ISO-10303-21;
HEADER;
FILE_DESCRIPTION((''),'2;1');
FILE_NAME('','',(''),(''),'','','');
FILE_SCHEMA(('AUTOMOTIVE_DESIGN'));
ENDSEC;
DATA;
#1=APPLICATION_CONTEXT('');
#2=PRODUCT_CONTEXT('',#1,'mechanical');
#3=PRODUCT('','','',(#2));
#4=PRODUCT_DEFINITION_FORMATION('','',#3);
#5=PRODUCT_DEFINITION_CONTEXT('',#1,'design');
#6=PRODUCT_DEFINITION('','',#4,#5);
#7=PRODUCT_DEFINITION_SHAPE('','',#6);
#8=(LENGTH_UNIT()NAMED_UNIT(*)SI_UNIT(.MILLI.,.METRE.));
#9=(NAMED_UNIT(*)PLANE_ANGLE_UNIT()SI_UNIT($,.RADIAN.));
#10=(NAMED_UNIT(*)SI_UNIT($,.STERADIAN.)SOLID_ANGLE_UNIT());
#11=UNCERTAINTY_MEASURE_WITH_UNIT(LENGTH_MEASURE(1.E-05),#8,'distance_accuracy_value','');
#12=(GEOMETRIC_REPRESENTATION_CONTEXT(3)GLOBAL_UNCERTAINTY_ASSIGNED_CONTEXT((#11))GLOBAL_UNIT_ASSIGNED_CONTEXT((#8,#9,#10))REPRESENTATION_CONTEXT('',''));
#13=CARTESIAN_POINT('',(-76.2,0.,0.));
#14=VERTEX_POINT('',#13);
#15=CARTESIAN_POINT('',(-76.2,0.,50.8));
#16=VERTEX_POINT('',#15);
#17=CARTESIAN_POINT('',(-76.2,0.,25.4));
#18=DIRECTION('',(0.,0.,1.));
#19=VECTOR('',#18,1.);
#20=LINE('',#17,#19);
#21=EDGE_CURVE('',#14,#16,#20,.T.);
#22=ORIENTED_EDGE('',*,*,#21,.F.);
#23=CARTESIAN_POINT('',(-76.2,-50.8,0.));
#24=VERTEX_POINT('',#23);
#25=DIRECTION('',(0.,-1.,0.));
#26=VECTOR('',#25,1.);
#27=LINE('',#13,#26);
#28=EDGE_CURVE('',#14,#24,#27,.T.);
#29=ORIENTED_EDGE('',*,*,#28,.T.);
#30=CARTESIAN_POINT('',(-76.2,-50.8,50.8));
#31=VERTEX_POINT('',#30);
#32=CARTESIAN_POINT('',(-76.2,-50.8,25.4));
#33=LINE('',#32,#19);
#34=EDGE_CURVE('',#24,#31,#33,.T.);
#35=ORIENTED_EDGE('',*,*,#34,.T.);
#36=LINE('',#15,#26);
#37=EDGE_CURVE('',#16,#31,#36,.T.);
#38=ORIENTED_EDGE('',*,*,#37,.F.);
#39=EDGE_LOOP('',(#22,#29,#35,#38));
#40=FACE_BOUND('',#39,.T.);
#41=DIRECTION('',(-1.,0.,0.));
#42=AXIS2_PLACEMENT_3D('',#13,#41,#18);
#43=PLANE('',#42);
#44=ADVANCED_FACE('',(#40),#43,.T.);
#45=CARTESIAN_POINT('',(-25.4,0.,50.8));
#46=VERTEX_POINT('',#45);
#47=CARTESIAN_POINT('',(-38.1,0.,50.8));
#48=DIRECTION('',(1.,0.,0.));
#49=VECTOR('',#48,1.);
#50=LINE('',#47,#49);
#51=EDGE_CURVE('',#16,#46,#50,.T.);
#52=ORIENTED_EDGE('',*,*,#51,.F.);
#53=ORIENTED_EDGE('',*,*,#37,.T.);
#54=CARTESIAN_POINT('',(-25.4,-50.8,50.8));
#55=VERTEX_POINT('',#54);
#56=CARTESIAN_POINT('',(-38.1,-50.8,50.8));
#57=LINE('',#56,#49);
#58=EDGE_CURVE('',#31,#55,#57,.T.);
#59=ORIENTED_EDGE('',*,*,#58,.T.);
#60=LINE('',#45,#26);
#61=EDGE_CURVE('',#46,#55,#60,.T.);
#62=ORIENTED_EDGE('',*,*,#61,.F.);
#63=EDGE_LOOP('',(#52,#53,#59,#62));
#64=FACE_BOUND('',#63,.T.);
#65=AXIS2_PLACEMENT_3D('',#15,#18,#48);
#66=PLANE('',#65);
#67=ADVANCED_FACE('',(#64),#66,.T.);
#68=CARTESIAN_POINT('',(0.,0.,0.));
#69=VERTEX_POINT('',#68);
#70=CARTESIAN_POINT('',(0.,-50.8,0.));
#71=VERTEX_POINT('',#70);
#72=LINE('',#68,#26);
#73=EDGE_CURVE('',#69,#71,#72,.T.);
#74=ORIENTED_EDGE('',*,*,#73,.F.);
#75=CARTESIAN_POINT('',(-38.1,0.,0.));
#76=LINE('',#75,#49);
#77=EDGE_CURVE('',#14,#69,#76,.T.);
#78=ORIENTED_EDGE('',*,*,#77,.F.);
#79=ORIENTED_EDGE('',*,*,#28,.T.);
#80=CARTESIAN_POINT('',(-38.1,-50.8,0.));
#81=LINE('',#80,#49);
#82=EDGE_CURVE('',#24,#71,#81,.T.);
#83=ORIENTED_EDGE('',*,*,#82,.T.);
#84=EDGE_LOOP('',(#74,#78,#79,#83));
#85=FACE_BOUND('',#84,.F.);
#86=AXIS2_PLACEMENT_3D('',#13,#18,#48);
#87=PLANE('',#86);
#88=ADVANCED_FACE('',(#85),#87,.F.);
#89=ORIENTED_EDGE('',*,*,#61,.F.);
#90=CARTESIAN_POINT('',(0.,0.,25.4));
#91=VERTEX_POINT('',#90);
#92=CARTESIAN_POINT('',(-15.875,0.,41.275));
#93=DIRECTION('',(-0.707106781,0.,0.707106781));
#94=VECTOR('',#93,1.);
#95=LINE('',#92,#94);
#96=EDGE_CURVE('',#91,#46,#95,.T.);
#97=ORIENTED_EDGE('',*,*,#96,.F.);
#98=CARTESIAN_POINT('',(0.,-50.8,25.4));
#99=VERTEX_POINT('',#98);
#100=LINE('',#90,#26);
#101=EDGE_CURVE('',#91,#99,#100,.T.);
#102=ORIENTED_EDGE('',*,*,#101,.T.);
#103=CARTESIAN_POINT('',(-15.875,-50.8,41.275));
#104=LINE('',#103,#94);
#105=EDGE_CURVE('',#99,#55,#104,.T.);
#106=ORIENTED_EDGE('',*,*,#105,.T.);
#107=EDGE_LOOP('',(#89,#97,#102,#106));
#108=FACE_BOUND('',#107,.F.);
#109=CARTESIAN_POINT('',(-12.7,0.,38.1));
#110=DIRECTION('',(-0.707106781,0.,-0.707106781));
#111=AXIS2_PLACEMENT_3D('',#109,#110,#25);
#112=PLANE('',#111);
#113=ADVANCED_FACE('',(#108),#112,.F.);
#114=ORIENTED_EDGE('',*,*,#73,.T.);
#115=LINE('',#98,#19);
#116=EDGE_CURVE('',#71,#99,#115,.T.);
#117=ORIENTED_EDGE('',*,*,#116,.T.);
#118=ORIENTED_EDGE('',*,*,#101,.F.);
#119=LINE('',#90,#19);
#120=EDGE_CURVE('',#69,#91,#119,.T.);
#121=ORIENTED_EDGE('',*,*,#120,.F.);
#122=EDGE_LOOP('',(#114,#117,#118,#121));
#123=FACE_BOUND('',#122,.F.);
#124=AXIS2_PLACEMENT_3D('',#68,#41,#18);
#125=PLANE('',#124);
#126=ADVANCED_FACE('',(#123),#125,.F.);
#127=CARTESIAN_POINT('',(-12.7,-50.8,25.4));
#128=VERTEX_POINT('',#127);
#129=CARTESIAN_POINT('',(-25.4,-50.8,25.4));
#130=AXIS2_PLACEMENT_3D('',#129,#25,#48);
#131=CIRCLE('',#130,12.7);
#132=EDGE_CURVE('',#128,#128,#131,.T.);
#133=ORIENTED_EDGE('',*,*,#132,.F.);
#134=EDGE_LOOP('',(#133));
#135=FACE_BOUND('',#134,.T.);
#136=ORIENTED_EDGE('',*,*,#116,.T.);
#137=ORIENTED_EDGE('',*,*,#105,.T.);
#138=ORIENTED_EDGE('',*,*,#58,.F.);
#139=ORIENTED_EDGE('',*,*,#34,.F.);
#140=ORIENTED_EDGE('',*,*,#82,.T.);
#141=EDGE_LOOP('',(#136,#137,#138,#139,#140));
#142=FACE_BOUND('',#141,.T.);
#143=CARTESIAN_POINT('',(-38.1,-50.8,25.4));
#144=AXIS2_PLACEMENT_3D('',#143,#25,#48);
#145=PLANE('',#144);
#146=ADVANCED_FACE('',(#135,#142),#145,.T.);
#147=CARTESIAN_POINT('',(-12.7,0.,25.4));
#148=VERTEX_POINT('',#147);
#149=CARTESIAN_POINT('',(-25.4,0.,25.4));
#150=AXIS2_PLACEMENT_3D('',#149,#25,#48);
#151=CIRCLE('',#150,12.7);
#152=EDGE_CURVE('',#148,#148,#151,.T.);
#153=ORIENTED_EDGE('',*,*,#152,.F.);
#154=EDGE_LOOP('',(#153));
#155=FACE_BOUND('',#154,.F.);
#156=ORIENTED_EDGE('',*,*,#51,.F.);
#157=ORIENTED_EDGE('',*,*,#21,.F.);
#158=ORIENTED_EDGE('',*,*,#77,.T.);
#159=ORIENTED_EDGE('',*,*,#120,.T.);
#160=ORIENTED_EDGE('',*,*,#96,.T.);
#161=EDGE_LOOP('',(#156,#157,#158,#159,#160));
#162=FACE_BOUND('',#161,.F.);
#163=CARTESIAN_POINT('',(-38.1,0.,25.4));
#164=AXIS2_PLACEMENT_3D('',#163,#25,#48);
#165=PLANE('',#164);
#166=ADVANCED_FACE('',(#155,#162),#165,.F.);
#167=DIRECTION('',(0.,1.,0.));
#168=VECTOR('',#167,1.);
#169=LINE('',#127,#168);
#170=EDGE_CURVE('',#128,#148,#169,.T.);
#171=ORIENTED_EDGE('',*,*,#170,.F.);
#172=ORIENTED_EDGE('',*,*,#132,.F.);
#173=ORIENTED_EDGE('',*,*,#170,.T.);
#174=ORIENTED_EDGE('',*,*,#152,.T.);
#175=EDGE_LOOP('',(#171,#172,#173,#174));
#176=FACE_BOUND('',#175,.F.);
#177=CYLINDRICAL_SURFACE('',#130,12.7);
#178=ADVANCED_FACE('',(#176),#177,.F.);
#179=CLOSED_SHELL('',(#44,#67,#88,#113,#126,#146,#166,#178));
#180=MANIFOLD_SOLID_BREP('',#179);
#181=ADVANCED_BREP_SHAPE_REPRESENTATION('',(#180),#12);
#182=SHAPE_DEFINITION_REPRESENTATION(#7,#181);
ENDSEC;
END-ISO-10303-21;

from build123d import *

# Parameters (mm, degrees)
F0_W     = 76.2
F0_H     = 50.8
F1_DEPTH = 50.8
F2_SIZE  = 25.4
F3_R     = 12.7
F4_DEPTH = 50.8


with BuildPart() as f1:
    # F0 (on Front) → F1 (new body)
    with BuildSketch(Plane.XZ):
        with Locations((-38.1, 25.4)):
            Rectangle(F0_W, F0_H)
    extrude(amount=F1_DEPTH)

    # F2
    f2_edges = [f1.edges().sort_by_distance(p)[0] for p in [
        (0, -25.4, 50.8),
    ]]
    chamfer(f2_edges, length=F2_SIZE)

    # F3 (on face) → F4 (cut)
    with BuildSketch(Plane.XZ.offset(50.8)):
        with Locations((-25.4, 25.4)):
            Circle(F3_R)
    extrude(amount=-F4_DEPTH, mode=Mode.SUBTRACT)


solid = f1.part
